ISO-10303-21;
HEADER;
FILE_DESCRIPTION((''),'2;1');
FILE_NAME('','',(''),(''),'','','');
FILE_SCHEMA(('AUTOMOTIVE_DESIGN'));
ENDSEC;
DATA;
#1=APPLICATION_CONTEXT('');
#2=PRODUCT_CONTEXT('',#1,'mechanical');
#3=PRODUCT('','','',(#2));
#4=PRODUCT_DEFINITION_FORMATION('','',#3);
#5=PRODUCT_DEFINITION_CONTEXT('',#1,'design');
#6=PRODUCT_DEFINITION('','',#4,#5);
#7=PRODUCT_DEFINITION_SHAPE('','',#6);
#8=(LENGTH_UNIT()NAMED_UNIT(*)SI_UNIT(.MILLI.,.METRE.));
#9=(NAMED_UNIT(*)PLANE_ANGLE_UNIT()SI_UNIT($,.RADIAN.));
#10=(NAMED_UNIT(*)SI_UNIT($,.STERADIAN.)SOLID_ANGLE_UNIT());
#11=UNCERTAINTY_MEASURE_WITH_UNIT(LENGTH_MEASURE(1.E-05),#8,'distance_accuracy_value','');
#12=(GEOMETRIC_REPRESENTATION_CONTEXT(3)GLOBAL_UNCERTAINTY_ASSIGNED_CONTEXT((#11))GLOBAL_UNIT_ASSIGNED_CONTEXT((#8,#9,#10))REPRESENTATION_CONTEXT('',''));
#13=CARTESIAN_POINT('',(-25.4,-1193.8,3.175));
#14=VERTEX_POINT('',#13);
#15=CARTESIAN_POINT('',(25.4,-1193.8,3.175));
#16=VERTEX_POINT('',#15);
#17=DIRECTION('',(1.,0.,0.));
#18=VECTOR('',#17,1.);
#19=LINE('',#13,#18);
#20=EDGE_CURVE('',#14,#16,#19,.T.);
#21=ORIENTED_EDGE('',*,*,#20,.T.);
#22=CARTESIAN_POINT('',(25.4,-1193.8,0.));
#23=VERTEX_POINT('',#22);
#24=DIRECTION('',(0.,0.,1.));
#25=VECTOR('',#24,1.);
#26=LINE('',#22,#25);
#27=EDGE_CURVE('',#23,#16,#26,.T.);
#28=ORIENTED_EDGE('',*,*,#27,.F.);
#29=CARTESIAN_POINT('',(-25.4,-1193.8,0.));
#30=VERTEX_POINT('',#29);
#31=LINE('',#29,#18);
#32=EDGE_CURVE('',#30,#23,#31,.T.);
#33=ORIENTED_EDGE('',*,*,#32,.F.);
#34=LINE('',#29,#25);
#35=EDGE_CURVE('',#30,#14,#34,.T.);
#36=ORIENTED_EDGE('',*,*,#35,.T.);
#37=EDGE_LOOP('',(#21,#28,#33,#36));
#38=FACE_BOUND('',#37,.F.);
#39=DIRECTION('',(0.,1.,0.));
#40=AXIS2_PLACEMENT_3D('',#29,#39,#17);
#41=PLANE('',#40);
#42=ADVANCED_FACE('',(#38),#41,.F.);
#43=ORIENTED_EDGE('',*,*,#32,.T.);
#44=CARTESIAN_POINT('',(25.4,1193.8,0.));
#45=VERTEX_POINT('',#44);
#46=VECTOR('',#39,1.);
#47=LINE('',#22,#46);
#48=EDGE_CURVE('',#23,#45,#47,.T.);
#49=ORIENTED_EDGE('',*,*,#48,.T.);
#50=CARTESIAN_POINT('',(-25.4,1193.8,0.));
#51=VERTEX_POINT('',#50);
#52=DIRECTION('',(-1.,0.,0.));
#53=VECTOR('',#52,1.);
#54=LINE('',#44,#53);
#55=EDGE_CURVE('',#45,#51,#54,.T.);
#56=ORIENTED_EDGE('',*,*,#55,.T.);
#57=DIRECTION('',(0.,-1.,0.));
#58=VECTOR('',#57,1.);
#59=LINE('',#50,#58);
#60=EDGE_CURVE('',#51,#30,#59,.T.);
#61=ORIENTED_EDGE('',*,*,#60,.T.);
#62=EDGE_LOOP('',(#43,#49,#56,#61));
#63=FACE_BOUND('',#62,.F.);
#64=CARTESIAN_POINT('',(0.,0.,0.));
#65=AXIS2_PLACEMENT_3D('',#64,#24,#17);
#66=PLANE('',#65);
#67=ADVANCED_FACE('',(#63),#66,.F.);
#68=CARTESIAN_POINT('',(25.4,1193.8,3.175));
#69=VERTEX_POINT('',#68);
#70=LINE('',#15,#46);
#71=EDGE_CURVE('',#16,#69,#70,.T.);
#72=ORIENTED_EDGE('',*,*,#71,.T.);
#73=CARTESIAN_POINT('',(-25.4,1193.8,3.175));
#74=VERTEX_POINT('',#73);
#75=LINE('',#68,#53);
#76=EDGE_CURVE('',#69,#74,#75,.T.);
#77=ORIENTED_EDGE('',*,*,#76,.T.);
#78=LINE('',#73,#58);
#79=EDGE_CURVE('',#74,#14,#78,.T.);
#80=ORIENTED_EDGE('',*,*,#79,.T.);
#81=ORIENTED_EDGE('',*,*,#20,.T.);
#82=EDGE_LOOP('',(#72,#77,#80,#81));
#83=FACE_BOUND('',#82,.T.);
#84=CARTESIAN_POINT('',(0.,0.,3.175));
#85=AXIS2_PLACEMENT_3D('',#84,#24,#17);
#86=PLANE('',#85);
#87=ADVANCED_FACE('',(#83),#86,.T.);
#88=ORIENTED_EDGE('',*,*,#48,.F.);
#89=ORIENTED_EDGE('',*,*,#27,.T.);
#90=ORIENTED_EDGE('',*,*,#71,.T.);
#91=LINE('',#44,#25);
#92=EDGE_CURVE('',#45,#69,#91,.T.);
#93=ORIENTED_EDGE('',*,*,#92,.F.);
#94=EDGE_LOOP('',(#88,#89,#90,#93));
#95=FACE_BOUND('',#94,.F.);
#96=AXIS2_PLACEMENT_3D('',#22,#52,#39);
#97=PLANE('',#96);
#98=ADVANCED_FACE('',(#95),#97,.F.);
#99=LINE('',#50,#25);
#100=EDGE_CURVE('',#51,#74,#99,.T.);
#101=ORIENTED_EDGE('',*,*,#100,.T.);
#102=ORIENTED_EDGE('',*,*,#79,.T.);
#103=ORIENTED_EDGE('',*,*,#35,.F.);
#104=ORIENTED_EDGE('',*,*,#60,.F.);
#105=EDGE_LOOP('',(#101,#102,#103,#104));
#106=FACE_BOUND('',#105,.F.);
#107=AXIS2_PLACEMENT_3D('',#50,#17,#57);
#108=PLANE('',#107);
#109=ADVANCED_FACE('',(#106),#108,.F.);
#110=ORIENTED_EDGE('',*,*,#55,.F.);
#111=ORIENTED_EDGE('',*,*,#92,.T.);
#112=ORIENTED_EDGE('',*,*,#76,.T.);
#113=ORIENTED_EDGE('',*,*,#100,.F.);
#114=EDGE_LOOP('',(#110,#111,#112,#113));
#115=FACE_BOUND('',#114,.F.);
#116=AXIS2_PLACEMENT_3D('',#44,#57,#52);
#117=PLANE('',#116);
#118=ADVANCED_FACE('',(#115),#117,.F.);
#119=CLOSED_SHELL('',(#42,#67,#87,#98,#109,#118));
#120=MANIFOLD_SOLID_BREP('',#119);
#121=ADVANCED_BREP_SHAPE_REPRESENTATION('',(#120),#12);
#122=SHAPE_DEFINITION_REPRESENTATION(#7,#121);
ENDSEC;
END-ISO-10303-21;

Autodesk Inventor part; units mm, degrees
ref_plane "YZ Plane" through (0, 0, 0) normal (1, 0, 0) x (0, 1, 0)
ref_plane "XZ Plane" through (0, 0, 0) normal (0, 1, 0) x (-1, 0, 0)
ref_plane "XY Plane" through (0, 0, 0) normal (0, 0, 1) x (1, 0, 0)
sketch "Sketch1" plane through (0, 0, 0) normal (0, 0, 1) x (1, 0, 0)
  line L0 (-25.4, -1193.8) -> (25.4, -1193.8)
  line L1 (25.4, -1193.8) -> (25.4, 1193.8)
  line L2 (25.4, 1193.8) -> (-25.4, 1193.8)
  line L3 (-25.4, 1193.8) -> (-25.4, -1193.8)
  line L4 (-25.4, -1193.8) -> (25.4, 1193.8) construction
  line L5 (25.4, -1193.8) -> (-25.4, 1193.8) construction
  point P0 (0, 0)
  dimension "d2" = 50.8
  dimension "d3" = 2387.6
extrude "Extrusion1" add sketch "Sketch1" along normal blind 3.175
equation "\"wallThick\" = 44.45"
equation "\"roomWidth\" = 3048"
equation "\"roomDepth\" = 3657.6"
equation "\"roomHeight\" = 2438.4"
equation "\"doorWidth\" = 895.35"
equation "\"doorHeight\" = 2108.2"
equation "\"doorX\" = 774.7"
equation "\"doorY\" = 88.9"
equation "\"doorLip\" = 76.2"
equation "\"doorThick\" = 57.15"
equation "\"tubeD\" = 19.05"
equation "\"tubeTurnR\" = 76.2"
properties part number "gusset_plate"
